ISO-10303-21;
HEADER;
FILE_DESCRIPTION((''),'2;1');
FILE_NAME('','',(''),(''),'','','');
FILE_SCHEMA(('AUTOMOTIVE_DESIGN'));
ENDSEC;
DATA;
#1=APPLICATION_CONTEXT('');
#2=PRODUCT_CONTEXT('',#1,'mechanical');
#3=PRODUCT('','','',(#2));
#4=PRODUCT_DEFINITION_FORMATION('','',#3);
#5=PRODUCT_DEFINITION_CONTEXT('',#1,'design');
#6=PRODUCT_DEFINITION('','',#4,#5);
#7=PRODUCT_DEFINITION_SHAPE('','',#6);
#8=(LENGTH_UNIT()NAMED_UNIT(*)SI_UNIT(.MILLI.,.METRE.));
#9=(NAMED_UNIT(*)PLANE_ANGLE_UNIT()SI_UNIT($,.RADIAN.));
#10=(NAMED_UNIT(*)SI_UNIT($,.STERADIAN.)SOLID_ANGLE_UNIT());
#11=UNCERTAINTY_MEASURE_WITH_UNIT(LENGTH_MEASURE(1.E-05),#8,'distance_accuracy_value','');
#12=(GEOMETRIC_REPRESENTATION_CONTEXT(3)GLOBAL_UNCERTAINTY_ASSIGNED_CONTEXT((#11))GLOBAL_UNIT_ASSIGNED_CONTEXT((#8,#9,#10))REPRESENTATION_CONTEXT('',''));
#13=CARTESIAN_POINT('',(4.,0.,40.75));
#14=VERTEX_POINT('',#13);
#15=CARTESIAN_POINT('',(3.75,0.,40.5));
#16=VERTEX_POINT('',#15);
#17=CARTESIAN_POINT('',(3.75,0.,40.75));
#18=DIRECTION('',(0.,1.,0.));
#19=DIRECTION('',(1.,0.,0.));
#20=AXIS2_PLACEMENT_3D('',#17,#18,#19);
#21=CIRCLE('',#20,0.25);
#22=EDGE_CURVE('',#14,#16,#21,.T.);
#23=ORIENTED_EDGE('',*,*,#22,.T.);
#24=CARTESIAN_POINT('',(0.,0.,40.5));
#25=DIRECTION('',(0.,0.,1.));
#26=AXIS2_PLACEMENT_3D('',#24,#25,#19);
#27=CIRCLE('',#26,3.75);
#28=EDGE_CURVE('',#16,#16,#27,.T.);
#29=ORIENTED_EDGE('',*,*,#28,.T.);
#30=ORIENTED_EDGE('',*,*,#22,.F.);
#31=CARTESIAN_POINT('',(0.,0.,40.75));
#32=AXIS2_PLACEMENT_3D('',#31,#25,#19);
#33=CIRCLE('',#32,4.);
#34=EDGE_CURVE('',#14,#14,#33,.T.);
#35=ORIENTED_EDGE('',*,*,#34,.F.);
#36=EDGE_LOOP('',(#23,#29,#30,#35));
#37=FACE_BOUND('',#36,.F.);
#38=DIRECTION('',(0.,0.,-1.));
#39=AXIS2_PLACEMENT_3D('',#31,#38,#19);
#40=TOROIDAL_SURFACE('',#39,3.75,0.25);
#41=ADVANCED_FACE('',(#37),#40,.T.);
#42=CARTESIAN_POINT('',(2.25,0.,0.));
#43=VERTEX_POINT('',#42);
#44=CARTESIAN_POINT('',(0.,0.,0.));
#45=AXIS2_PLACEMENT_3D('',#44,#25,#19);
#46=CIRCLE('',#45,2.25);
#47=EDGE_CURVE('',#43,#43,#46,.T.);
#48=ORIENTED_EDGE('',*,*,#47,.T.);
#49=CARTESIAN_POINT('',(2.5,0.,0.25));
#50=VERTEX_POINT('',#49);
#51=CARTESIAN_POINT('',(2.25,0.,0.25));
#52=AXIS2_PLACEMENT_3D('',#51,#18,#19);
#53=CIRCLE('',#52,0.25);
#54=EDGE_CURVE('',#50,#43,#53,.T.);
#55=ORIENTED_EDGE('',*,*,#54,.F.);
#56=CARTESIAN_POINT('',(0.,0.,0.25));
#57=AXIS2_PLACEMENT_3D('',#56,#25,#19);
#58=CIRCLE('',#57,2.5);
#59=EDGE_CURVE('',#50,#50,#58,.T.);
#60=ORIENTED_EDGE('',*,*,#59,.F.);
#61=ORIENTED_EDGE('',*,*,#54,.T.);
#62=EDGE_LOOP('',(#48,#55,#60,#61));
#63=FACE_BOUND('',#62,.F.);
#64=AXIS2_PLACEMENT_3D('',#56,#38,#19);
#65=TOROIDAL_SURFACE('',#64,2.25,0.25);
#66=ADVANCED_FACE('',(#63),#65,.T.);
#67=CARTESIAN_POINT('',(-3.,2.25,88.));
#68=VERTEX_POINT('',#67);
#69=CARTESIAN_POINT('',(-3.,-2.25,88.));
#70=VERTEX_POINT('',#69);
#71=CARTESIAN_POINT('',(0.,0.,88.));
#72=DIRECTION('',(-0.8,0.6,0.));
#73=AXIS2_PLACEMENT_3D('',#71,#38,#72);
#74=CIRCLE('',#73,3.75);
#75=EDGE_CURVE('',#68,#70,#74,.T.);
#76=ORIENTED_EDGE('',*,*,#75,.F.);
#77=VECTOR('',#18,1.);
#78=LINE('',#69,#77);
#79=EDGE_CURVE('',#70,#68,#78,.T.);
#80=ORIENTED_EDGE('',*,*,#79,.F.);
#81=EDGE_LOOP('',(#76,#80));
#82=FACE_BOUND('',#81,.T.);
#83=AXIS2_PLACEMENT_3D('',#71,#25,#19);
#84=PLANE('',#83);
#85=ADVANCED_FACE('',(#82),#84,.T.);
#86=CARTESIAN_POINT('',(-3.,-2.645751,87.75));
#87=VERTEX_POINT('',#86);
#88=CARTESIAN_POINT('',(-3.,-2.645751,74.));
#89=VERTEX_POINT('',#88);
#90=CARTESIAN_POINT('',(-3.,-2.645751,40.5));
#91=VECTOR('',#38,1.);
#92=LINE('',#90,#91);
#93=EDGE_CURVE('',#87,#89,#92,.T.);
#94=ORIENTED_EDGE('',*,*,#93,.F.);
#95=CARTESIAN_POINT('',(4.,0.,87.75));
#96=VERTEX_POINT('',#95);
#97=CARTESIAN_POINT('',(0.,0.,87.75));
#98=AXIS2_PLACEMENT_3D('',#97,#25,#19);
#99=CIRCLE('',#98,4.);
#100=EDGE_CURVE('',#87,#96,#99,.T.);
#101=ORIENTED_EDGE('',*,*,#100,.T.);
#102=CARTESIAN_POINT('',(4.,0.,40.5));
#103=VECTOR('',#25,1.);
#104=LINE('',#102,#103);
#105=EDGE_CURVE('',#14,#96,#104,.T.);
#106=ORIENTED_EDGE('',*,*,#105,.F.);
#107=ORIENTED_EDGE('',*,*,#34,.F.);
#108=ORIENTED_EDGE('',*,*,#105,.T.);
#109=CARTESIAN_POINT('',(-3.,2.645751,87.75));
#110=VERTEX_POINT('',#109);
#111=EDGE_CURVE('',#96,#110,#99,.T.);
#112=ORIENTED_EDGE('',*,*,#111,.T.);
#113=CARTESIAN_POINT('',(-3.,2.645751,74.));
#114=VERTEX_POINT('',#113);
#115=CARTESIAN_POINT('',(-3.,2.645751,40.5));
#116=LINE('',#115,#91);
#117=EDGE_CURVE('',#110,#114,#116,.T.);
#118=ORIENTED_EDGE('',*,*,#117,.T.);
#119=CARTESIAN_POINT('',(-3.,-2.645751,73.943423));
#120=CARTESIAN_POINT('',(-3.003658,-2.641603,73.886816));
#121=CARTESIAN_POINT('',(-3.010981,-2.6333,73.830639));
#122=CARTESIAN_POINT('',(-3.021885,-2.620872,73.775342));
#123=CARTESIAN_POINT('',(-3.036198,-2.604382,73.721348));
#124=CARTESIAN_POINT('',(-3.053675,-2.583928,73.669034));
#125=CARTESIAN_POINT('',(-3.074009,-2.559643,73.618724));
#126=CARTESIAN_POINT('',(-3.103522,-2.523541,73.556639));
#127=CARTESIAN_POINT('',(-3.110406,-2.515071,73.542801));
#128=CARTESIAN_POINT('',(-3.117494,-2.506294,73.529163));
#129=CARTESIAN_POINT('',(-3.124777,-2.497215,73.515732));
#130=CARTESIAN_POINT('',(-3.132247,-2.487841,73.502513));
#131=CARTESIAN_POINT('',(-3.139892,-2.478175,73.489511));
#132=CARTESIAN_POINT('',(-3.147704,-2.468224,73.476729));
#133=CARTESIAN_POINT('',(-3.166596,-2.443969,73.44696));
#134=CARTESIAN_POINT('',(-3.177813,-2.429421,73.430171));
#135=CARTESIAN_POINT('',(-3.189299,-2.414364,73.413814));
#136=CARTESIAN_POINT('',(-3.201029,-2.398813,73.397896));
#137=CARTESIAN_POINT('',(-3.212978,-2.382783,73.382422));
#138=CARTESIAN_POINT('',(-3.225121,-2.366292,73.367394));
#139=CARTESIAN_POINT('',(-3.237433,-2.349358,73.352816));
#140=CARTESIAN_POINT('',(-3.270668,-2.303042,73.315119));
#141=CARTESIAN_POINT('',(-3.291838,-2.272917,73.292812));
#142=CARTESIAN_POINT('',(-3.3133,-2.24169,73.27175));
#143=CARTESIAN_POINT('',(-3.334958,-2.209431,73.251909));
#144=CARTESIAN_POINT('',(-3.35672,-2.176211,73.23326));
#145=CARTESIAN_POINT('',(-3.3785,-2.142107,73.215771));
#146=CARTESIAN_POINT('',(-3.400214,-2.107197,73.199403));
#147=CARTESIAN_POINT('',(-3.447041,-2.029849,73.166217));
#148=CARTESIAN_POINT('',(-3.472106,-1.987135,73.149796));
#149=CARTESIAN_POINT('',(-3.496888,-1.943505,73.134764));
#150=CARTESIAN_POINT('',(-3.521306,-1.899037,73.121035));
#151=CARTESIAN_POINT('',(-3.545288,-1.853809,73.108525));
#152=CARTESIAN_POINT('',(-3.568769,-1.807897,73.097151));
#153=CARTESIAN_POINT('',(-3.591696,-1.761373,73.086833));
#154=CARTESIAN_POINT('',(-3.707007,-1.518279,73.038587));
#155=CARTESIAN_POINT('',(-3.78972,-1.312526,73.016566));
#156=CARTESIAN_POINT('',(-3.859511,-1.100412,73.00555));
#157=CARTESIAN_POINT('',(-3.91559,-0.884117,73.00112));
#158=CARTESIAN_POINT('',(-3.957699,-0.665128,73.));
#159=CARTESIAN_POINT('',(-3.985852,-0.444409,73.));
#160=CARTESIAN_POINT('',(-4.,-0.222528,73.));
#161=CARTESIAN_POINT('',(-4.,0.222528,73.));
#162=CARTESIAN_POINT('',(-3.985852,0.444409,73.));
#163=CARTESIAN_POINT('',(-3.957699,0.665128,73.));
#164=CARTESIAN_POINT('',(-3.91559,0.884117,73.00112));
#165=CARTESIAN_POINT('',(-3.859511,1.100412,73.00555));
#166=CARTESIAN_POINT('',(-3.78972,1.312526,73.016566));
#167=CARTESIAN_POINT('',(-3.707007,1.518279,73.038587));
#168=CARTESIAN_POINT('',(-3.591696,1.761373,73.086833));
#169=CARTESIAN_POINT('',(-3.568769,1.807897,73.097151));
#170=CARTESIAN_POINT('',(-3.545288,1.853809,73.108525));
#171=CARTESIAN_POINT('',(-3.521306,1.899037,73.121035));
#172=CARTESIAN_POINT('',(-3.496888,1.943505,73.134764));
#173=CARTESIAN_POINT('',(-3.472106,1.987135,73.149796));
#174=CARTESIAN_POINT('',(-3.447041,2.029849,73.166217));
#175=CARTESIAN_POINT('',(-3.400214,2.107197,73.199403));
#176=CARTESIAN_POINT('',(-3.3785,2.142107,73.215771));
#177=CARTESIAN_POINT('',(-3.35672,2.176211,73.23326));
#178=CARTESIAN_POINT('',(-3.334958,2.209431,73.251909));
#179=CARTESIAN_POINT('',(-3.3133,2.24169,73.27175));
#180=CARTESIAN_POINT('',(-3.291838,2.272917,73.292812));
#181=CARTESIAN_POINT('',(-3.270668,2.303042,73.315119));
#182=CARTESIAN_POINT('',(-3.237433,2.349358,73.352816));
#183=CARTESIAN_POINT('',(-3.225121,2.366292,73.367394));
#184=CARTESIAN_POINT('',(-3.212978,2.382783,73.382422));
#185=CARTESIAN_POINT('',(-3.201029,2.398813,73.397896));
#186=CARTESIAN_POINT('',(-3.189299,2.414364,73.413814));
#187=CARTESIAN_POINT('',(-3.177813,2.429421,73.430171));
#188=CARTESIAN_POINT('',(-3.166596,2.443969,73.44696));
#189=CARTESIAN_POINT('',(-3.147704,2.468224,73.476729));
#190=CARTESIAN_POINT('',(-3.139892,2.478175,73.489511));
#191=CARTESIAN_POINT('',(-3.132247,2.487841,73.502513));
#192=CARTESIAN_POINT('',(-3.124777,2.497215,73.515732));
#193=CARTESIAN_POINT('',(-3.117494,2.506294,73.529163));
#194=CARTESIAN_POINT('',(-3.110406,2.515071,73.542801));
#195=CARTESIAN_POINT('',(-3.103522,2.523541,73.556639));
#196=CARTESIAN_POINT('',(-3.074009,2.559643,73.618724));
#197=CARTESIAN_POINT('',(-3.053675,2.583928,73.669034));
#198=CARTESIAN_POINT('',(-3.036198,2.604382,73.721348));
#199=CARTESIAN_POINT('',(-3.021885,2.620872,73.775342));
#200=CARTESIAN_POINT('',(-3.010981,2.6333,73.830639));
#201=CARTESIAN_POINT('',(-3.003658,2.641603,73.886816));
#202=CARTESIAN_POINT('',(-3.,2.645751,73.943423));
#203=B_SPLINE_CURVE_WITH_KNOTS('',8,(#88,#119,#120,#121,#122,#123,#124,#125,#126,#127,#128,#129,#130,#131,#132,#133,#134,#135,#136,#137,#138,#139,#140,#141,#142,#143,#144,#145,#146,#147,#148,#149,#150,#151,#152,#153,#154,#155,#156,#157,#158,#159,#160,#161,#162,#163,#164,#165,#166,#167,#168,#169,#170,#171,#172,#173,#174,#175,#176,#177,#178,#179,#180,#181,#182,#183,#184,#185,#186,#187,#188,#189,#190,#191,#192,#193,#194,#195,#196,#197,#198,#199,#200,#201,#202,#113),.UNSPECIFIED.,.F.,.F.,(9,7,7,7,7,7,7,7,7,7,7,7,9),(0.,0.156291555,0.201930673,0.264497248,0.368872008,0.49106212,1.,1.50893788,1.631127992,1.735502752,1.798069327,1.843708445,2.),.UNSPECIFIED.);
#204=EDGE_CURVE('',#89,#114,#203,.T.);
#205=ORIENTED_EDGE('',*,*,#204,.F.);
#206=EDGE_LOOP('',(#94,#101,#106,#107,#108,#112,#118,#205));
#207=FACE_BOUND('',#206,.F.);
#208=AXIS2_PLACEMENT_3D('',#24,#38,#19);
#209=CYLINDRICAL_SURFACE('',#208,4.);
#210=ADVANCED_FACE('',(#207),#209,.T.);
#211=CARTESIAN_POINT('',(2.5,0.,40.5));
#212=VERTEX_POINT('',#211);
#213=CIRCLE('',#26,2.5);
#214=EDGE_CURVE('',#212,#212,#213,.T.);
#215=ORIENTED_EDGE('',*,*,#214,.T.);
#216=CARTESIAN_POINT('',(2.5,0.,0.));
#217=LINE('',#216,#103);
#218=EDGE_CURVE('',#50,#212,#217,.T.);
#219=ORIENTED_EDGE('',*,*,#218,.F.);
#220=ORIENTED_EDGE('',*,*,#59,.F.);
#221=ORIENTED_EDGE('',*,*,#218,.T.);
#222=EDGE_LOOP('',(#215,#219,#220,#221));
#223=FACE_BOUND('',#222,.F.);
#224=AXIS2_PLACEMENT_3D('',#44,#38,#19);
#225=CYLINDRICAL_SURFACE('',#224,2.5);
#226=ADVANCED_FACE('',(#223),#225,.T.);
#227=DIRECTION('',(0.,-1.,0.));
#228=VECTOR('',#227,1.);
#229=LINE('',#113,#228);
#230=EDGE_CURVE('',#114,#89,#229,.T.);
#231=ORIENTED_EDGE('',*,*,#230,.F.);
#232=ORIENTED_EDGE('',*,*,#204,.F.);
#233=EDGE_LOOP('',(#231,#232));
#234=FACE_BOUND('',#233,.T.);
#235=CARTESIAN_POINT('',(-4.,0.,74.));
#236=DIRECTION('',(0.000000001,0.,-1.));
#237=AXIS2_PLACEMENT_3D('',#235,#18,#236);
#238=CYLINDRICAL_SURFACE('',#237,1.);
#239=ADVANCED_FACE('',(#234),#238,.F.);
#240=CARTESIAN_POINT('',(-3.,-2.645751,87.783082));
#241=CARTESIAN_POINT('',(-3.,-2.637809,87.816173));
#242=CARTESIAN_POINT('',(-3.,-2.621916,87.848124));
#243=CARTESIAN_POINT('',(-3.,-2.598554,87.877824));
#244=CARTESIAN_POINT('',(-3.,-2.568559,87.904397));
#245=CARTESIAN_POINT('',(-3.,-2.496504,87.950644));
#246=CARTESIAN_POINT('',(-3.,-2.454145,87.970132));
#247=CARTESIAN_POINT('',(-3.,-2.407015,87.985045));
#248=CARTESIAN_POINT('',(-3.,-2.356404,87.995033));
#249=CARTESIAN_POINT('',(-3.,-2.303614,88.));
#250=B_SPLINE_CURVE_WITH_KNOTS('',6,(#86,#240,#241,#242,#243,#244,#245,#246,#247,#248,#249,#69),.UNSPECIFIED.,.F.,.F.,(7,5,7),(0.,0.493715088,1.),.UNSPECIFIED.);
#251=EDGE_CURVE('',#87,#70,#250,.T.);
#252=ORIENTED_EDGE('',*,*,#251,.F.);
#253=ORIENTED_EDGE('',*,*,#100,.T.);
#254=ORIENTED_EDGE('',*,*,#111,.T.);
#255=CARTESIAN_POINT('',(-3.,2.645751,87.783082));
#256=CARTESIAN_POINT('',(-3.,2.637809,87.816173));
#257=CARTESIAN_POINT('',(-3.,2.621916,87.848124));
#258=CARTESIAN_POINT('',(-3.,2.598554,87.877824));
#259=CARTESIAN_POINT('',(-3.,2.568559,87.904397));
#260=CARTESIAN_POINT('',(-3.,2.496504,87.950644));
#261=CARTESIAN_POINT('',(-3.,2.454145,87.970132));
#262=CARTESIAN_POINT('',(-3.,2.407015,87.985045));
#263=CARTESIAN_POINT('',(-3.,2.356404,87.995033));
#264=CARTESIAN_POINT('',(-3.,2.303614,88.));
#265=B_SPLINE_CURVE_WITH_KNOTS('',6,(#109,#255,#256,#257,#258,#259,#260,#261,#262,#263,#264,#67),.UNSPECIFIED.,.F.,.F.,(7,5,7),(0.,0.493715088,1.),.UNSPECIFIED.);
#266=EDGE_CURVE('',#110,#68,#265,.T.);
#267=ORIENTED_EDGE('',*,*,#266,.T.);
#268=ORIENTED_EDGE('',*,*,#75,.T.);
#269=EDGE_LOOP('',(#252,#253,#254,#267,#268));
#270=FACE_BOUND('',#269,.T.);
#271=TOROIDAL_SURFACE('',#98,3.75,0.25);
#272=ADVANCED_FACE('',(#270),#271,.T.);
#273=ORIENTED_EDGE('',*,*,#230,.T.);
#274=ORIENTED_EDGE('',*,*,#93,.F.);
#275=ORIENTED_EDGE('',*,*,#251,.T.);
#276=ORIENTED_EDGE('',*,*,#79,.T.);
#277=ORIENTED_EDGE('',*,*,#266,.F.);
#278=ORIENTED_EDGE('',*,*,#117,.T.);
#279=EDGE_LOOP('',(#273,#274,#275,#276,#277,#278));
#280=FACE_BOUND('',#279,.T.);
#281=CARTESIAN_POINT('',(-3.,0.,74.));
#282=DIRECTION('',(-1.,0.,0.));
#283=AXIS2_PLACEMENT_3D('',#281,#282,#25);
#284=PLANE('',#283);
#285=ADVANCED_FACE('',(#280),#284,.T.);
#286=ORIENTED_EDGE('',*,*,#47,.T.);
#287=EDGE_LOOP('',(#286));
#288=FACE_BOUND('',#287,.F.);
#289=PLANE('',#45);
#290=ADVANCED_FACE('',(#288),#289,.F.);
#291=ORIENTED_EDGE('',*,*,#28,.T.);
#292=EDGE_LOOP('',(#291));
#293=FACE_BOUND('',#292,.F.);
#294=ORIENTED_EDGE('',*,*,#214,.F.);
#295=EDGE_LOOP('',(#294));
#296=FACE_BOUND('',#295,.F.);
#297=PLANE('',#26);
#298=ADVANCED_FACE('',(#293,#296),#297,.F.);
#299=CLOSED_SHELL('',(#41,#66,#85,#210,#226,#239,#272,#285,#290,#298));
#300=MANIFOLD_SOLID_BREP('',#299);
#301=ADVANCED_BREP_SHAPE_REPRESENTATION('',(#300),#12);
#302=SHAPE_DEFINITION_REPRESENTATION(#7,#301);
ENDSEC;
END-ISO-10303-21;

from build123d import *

# Parameters (mm, degrees)
SKETCH1_R               = 2.5
EXTRUDE1_DEPTH          = 40.5
SKETCH3_R               = 4
BOSS_EXTRUDE1_DEPTH     = 47.5
FILLET1_R               = 0.25
CUT_EXTRUDE1_DEPTH      = 3
CUT_EXTRUDE1_DEPTH_BACK = 3


with BuildPart() as part:
    # Sketch1 → Extrude1 (new body)
    with BuildSketch(Plane.XY):
        Circle(SKETCH1_R)
    extrude(amount=EXTRUDE1_DEPTH)

    # Sketch3 → Boss-Extrude1 (add)
    with BuildSketch(Plane.XY.offset(40.5)):
        Circle(SKETCH3_R)
    extrude(amount=BOSS_EXTRUDE1_DEPTH)

    # Fillet1
    fillet1_edges = [part.edges().sort_by_distance(p)[0] for p in [
        (-4, 0, 88),
        (-4, 0, 40.5),
        (-2.5, 0, 0),
    ]]
    fillet(fillet1_edges, radius=FILLET1_R)

    # Sketch2 → Cut-Extrude1 (cut, two sides: drawn at the far end of the back side and taken through both)
    with BuildSketch(Plane(origin=(0, 0, 0), x_dir=(1, 0, 0), z_dir=(0, 1, 0)).offset(-CUT_EXTRUDE1_DEPTH_BACK)):
        with BuildLine():
            Line((-3, -88), (-5, -88))
            Line((-5, -88), (-5, -73))
            Line((-5, -73), (-4, -73))
            ThreePointArc((-4, -73), (-3.292893219, -73.292893219), (-3, -74))
            Line((-3, -74), (-3, -88))
        make_face()
    extrude(amount=CUT_EXTRUDE1_DEPTH + CUT_EXTRUDE1_DEPTH_BACK, mode=Mode.SUBTRACT)


solid = part.part
